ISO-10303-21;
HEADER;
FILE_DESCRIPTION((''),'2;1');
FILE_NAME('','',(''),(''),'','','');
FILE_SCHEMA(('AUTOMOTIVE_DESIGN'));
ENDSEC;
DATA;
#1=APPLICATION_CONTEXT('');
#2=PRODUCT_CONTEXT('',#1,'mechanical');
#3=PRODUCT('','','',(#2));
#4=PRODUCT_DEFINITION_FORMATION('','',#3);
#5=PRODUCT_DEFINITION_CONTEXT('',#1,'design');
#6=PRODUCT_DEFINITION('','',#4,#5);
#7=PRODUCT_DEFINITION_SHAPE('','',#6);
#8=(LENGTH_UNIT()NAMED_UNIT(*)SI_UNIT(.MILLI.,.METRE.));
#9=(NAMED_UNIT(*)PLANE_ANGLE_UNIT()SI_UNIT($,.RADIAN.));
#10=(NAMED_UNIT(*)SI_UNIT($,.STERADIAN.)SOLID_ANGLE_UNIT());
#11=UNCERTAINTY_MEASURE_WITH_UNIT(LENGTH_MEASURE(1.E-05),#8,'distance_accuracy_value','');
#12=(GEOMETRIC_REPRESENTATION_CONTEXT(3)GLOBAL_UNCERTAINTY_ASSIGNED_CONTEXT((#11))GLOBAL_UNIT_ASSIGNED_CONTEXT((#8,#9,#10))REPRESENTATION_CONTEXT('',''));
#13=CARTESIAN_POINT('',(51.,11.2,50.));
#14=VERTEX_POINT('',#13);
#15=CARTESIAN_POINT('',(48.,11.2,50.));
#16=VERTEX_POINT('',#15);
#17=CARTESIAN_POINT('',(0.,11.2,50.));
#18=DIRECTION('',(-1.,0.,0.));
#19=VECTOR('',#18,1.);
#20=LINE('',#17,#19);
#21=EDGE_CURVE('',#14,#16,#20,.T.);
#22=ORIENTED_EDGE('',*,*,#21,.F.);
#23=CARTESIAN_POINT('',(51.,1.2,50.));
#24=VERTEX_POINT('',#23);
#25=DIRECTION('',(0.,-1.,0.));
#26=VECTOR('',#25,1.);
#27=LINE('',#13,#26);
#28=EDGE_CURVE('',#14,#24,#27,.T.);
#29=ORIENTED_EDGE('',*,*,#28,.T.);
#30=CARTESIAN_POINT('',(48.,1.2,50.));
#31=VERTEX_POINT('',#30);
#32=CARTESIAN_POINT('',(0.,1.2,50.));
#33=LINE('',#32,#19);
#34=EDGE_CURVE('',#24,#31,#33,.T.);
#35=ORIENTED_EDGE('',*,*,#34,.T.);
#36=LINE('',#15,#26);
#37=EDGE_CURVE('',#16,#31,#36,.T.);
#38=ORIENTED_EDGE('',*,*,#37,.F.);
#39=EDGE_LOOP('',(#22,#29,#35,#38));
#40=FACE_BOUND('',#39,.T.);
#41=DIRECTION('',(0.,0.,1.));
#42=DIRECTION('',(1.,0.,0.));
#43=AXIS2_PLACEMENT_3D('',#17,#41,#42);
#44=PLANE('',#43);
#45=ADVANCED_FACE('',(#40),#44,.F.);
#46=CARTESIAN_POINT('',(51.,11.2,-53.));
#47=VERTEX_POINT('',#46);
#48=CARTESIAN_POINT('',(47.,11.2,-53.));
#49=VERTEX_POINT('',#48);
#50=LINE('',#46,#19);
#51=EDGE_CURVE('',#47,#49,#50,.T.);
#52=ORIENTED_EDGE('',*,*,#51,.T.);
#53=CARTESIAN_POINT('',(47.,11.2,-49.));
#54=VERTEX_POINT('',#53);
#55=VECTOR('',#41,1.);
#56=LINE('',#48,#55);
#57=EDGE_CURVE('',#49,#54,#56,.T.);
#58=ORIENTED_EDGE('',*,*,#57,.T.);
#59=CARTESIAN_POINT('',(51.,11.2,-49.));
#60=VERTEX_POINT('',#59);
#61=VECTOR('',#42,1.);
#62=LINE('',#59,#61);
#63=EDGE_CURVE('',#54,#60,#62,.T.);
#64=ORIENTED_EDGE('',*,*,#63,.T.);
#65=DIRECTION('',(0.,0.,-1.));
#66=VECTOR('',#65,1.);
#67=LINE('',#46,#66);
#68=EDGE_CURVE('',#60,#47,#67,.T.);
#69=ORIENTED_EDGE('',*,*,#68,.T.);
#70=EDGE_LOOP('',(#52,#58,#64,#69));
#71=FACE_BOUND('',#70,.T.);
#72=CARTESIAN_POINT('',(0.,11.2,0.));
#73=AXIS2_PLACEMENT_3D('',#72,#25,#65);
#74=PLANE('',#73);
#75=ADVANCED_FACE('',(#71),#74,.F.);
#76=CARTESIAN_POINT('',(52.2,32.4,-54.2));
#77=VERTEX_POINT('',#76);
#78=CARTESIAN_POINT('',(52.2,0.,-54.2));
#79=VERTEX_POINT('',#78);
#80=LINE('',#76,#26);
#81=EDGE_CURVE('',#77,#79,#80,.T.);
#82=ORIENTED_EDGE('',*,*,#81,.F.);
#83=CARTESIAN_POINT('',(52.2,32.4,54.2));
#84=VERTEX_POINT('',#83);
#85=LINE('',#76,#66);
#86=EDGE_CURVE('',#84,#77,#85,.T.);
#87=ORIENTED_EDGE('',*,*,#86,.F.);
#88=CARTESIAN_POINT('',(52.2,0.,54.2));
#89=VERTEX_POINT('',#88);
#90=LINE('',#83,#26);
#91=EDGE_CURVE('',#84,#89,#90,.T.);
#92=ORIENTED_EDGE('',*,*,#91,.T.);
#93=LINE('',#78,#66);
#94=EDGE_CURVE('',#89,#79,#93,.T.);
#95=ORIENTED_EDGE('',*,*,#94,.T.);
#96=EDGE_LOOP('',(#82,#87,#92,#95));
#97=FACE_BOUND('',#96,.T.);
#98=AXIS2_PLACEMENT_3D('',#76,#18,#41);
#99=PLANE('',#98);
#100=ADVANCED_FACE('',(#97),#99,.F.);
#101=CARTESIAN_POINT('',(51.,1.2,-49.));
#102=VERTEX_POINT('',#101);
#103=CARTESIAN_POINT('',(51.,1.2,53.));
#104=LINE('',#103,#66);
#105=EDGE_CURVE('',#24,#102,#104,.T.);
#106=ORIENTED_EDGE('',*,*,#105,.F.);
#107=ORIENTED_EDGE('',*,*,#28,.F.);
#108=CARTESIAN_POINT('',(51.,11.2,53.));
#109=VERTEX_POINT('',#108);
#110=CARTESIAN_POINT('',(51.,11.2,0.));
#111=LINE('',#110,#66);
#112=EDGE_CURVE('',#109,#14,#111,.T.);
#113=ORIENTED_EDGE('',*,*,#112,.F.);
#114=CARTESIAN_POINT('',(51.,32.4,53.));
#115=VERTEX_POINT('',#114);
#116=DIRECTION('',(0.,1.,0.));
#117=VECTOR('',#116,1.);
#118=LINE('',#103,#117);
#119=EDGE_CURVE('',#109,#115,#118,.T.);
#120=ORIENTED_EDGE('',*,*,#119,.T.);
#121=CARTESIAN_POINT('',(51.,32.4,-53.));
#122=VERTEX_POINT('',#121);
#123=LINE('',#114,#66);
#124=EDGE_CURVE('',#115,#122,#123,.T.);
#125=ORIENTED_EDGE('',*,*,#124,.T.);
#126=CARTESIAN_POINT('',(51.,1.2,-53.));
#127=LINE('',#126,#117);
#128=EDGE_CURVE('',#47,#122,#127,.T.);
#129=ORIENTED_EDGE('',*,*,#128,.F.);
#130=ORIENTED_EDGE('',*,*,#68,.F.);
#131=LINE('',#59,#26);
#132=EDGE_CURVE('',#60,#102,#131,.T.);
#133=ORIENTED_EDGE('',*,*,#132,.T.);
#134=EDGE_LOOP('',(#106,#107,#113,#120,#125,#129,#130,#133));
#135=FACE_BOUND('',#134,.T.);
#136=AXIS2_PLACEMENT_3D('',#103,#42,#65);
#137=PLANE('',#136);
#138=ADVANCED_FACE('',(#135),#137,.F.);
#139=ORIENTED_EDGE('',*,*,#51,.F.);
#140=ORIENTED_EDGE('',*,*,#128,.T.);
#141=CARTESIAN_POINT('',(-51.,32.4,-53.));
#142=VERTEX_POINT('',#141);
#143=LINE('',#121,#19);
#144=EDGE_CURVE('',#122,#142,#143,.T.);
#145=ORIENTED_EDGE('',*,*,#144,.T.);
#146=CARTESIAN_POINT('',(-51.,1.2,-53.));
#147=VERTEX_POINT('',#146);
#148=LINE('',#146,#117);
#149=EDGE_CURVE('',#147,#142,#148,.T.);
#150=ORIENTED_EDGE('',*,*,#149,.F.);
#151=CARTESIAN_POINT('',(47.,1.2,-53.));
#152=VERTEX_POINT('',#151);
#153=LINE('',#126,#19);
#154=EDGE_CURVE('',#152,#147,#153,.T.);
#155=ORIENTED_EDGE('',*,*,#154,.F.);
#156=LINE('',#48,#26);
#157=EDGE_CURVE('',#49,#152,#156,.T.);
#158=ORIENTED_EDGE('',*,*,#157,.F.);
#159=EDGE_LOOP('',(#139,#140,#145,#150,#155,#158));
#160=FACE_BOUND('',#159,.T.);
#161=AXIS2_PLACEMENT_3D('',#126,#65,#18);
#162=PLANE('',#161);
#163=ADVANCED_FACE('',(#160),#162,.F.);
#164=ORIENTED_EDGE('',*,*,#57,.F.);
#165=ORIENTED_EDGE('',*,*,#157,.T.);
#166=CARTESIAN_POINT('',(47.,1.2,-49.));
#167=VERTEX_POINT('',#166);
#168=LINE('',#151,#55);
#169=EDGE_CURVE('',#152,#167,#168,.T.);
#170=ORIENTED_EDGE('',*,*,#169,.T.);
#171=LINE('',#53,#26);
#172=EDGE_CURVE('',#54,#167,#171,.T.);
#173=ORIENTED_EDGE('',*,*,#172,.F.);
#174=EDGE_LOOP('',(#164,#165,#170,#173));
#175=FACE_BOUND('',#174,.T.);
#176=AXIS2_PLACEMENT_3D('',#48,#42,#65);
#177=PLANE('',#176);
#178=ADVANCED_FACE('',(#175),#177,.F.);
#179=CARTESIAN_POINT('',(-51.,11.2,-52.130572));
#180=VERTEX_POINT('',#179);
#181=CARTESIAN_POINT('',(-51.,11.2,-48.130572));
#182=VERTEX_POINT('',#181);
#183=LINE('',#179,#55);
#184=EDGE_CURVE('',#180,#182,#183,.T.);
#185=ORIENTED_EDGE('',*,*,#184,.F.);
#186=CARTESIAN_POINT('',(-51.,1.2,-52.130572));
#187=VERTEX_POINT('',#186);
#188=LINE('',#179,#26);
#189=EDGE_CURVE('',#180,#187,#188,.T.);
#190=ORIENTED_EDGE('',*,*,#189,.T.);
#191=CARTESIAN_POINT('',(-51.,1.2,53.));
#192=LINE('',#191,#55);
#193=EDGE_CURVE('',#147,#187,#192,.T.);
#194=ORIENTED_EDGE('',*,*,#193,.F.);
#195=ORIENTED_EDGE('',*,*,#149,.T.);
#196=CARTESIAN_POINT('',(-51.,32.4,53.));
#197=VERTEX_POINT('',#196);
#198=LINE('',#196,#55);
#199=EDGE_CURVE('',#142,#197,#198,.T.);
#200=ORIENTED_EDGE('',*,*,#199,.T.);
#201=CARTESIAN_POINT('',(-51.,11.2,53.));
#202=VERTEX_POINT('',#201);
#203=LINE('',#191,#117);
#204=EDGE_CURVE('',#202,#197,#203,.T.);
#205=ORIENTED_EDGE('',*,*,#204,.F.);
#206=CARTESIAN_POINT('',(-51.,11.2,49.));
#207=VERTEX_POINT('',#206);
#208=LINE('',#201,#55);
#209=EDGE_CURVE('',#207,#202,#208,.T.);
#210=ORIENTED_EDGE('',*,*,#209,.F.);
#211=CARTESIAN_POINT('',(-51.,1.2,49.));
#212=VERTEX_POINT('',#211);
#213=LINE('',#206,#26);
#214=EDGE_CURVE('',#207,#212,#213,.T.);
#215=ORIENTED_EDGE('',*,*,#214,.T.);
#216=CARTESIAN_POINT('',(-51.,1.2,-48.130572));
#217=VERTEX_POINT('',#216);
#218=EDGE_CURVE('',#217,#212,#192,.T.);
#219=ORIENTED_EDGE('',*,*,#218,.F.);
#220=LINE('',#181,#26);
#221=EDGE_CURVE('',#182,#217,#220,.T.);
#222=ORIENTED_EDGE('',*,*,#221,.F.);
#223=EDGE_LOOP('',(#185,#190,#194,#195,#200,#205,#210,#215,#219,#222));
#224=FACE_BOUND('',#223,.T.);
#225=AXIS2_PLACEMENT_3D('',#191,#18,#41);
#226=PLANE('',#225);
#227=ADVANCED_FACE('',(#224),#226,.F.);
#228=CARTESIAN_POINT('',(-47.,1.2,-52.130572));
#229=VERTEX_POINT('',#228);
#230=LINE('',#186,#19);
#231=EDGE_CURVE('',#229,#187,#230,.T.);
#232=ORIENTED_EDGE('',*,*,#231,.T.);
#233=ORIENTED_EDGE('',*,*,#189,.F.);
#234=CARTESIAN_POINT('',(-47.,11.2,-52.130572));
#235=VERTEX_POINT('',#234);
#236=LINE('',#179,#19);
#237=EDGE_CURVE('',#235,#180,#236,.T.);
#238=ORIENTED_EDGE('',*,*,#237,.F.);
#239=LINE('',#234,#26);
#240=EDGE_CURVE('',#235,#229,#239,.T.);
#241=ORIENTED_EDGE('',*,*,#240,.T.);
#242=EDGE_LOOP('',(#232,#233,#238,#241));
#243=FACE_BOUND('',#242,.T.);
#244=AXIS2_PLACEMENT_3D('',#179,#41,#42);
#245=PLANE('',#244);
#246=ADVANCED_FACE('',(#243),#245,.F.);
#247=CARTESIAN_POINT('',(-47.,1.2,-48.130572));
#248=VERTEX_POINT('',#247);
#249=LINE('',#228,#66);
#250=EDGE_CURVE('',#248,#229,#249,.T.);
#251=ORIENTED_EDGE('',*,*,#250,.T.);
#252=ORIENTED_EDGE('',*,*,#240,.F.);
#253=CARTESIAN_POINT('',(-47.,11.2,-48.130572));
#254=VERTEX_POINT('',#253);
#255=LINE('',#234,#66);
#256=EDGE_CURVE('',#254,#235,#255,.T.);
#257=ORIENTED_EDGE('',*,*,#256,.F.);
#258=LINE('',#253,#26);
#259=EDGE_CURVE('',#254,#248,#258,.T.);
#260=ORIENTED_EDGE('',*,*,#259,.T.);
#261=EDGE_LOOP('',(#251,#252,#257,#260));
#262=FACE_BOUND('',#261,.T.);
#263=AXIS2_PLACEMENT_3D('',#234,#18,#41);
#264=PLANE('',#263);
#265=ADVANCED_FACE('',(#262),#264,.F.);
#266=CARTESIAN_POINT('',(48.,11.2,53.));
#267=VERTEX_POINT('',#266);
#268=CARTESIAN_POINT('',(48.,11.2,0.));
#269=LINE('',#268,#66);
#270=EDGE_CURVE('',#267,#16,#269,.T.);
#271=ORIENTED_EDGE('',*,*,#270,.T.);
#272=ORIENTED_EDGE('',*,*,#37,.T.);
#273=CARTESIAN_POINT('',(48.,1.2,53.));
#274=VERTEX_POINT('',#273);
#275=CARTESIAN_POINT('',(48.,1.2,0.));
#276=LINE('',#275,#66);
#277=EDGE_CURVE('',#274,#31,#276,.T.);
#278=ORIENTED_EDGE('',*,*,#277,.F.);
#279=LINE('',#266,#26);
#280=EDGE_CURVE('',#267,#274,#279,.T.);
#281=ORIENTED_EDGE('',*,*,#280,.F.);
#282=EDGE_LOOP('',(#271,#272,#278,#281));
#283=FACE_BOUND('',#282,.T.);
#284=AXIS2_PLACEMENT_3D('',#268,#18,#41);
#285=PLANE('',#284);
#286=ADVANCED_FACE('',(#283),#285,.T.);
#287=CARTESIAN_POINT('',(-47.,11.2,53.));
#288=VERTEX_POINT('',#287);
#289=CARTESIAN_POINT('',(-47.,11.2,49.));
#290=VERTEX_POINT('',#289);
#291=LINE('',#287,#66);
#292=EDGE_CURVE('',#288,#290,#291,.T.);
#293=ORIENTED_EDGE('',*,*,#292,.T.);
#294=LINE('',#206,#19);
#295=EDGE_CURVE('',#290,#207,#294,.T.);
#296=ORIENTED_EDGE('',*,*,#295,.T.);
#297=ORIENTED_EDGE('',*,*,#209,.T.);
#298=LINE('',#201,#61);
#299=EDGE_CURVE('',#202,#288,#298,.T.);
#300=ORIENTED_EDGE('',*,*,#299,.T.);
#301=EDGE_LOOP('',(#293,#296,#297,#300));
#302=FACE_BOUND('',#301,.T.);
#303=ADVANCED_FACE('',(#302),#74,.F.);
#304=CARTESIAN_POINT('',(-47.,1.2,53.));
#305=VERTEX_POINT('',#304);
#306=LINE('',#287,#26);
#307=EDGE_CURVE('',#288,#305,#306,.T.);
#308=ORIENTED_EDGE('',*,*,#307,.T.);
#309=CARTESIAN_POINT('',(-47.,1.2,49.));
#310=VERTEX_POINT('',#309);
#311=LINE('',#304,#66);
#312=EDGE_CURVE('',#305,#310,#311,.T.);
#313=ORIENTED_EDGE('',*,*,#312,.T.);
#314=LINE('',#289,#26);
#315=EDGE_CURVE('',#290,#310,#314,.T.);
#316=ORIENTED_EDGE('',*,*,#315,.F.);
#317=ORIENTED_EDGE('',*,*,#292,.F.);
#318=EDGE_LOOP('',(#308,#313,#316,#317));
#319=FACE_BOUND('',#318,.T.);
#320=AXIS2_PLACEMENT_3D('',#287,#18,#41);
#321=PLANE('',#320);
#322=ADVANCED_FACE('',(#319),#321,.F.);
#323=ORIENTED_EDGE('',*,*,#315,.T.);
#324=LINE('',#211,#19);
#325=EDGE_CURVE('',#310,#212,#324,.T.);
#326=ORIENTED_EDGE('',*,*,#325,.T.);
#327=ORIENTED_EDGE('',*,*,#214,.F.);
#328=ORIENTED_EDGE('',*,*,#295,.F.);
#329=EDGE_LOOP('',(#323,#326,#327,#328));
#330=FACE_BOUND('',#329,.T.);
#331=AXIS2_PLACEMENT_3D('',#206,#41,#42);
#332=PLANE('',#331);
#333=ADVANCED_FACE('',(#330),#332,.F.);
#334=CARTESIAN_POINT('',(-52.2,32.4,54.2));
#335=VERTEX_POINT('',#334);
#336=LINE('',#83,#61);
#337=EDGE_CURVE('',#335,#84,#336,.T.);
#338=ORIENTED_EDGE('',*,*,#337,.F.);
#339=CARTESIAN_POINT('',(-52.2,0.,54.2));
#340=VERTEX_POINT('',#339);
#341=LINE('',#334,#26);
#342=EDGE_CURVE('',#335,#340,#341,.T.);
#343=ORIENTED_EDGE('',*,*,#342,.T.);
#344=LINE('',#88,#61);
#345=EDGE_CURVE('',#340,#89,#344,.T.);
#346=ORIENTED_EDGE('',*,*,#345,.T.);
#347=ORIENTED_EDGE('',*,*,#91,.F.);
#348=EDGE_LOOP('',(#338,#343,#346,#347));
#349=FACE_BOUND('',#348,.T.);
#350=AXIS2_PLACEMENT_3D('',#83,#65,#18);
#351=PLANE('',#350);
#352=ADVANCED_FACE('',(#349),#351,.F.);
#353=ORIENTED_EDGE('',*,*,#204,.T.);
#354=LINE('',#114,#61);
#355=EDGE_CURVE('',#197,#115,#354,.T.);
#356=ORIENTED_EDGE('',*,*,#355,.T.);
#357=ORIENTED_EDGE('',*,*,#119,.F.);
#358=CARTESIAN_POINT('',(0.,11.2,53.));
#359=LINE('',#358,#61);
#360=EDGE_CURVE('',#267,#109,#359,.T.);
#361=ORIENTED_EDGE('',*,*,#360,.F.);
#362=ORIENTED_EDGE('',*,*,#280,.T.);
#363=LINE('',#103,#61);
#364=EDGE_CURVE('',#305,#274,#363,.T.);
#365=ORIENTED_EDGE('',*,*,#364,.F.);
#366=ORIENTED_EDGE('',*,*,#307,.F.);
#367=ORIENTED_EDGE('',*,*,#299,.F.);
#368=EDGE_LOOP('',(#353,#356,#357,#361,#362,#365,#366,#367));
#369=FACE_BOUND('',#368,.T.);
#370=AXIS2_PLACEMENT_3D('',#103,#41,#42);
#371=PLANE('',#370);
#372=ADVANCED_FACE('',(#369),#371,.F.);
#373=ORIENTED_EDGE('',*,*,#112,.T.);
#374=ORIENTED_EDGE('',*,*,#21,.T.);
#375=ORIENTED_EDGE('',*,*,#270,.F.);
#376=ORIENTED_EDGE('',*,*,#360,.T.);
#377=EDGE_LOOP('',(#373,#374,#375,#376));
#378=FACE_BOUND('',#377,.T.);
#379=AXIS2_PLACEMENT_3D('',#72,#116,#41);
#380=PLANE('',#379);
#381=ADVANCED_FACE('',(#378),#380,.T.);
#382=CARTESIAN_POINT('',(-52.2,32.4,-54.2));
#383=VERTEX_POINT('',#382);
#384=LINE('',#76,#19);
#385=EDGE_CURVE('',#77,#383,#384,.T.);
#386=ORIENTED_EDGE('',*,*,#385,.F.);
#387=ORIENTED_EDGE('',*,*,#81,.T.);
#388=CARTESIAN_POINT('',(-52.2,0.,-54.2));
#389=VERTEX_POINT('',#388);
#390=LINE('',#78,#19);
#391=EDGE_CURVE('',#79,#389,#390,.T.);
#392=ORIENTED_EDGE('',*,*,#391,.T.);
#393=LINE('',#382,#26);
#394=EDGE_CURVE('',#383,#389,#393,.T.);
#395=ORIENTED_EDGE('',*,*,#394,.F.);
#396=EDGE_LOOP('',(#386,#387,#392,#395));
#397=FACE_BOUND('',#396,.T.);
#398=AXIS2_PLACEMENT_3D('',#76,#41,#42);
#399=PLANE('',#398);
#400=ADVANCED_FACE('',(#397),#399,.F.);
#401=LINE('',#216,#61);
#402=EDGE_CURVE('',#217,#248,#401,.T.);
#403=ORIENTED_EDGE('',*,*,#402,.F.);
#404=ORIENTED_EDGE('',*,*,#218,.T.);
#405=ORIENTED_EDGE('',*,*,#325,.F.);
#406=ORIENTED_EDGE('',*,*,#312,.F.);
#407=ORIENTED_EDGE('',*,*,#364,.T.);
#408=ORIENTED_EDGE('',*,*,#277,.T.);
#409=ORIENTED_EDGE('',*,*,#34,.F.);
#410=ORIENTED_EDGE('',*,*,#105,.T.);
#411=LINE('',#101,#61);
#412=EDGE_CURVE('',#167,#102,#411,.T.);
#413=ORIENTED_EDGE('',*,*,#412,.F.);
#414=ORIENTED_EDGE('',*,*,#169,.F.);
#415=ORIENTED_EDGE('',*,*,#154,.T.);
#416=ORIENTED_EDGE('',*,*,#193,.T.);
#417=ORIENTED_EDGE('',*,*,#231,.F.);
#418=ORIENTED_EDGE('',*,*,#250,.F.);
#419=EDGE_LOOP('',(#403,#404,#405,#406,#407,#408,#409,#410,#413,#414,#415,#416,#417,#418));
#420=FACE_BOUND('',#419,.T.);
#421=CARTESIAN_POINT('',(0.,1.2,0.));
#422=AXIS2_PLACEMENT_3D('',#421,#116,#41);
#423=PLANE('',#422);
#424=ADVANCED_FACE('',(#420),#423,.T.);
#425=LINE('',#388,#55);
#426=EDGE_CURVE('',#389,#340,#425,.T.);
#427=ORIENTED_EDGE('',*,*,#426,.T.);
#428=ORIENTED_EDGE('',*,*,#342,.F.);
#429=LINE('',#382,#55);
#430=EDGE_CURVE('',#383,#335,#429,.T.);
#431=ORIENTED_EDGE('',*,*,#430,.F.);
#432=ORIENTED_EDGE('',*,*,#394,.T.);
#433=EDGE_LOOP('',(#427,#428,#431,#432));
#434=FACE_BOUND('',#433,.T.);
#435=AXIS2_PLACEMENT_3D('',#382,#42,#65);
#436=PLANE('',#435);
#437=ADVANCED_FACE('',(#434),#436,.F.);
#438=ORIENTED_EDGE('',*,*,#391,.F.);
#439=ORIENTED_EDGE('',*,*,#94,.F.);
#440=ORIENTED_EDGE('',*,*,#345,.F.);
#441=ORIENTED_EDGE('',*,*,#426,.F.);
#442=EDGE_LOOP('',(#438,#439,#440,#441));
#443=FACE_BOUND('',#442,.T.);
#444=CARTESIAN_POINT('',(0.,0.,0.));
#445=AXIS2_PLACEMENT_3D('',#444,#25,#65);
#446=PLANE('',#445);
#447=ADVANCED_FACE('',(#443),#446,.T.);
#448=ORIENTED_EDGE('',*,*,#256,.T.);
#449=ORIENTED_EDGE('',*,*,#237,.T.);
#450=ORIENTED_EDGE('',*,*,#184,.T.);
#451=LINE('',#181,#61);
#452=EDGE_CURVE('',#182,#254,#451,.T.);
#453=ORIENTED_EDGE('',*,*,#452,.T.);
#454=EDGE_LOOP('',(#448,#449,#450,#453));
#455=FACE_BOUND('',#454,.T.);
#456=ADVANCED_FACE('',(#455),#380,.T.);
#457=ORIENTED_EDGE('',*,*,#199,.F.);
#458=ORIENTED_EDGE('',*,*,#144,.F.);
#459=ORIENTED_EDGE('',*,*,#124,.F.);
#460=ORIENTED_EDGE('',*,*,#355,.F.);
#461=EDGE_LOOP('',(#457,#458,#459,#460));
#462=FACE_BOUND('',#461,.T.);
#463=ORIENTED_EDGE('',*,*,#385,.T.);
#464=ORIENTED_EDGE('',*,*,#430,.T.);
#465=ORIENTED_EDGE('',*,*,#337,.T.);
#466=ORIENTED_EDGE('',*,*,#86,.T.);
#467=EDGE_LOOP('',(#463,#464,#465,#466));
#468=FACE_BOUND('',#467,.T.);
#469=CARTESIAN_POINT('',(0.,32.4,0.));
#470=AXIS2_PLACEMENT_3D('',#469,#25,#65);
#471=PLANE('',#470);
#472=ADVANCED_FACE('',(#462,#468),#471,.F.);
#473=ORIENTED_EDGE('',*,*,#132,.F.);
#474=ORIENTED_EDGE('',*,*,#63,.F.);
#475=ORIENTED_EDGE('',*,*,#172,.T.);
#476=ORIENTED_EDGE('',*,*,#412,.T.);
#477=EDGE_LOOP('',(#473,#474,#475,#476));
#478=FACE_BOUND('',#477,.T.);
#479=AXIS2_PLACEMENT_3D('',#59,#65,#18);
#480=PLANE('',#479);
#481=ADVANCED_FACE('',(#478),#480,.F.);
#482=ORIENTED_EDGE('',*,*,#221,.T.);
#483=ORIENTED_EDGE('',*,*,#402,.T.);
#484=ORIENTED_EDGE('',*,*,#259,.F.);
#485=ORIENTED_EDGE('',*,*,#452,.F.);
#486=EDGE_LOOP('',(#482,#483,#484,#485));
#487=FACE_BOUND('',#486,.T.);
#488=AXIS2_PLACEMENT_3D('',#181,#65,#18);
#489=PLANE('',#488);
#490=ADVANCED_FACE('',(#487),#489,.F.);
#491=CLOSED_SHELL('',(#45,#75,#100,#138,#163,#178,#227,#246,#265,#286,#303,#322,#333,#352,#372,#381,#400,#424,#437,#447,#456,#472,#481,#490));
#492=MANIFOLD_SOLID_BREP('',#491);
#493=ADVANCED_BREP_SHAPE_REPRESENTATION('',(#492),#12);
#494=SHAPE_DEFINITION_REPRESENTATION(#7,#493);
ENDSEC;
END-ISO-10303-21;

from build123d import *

# Parameters (mm, degrees)
SKETCH_1_W          = 104.4
SKETCH_1_H          = 108.4
EXTRUDE_1_DEPTH     = 32.4
SKETCH_2_W          = 102
SKETCH_2_H          = 106
CUT_EXTRUDE_1_DEPTH = 31.2
EXTRUDE_2_DEPTH     = 10
SKETCH_6_W          = 4
SKETCH_6_H          = 4
EXTRUDE_3_DEPTH     = 10
SKETCH_7_W          = 4
SKETCH_7_H          = 4
EXTRUDE_4_DEPTH     = 10
SKETCH_10_W         = 4
SKETCH_10_H         = 4
EXTRUDE_5_DEPTH     = 10


with BuildPart() as part:
    # 草图1 → 凸台-拉伸1 (new body)
    with BuildSketch(Plane(origin=(0, 0, 0), x_dir=(1, 0, 0), z_dir=(0, 1, 0))):
        Rectangle(SKETCH_1_W, SKETCH_1_H)
    extrude(amount=EXTRUDE_1_DEPTH)

    # 草图2 → 切除-拉伸1 (cut)
    with BuildSketch(Plane(origin=(0, 32.4, 0), x_dir=(1, 0, 0), z_dir=(0, 1, 0))):
        Rectangle(SKETCH_2_W, SKETCH_2_H)
    extrude(amount=-CUT_EXTRUDE_1_DEPTH, mode=Mode.SUBTRACT)

    # 草图3 → 凸台-拉伸2 (add)
    with BuildSketch(Plane(origin=(0, 1.2, 0), x_dir=(1, 0, 0), z_dir=(0, 1, 0))):
        Polygon((48, -53), (51, -53), (51, -52.54057914), (51, -50), (48, -50), align=None)
    extrude(amount=EXTRUDE_2_DEPTH)

    # 草图6 → 凸台-拉伸3 (add)
    with BuildSketch(Plane(origin=(0, 1.2, 0), x_dir=(1, 0, 0), z_dir=(0, 1, 0))):
        with Locations((49, 51)):
            Rectangle(SKETCH_6_W, SKETCH_6_H)
    extrude(amount=EXTRUDE_3_DEPTH)

    # 草图7 → 凸台-拉伸4 (add)
    with BuildSketch(Plane(origin=(0, 1.2, 0), x_dir=(1, 0, 0), z_dir=(0, 1, 0))):
        with Locations((-49, -51)):
            Rectangle(SKETCH_7_W, SKETCH_7_H)
    extrude(amount=EXTRUDE_4_DEPTH)

    # 草图10 → 凸台-拉伸5 (add)
    with BuildSketch(Plane(origin=(0, 1.2, 0), x_dir=(1, 0, 0), z_dir=(0, 1, 0))):
        with Locations((-49, 50.130572063)):
            Rectangle(SKETCH_10_W, SKETCH_10_H)
    extrude(amount=EXTRUDE_5_DEPTH)


solid = part.part
